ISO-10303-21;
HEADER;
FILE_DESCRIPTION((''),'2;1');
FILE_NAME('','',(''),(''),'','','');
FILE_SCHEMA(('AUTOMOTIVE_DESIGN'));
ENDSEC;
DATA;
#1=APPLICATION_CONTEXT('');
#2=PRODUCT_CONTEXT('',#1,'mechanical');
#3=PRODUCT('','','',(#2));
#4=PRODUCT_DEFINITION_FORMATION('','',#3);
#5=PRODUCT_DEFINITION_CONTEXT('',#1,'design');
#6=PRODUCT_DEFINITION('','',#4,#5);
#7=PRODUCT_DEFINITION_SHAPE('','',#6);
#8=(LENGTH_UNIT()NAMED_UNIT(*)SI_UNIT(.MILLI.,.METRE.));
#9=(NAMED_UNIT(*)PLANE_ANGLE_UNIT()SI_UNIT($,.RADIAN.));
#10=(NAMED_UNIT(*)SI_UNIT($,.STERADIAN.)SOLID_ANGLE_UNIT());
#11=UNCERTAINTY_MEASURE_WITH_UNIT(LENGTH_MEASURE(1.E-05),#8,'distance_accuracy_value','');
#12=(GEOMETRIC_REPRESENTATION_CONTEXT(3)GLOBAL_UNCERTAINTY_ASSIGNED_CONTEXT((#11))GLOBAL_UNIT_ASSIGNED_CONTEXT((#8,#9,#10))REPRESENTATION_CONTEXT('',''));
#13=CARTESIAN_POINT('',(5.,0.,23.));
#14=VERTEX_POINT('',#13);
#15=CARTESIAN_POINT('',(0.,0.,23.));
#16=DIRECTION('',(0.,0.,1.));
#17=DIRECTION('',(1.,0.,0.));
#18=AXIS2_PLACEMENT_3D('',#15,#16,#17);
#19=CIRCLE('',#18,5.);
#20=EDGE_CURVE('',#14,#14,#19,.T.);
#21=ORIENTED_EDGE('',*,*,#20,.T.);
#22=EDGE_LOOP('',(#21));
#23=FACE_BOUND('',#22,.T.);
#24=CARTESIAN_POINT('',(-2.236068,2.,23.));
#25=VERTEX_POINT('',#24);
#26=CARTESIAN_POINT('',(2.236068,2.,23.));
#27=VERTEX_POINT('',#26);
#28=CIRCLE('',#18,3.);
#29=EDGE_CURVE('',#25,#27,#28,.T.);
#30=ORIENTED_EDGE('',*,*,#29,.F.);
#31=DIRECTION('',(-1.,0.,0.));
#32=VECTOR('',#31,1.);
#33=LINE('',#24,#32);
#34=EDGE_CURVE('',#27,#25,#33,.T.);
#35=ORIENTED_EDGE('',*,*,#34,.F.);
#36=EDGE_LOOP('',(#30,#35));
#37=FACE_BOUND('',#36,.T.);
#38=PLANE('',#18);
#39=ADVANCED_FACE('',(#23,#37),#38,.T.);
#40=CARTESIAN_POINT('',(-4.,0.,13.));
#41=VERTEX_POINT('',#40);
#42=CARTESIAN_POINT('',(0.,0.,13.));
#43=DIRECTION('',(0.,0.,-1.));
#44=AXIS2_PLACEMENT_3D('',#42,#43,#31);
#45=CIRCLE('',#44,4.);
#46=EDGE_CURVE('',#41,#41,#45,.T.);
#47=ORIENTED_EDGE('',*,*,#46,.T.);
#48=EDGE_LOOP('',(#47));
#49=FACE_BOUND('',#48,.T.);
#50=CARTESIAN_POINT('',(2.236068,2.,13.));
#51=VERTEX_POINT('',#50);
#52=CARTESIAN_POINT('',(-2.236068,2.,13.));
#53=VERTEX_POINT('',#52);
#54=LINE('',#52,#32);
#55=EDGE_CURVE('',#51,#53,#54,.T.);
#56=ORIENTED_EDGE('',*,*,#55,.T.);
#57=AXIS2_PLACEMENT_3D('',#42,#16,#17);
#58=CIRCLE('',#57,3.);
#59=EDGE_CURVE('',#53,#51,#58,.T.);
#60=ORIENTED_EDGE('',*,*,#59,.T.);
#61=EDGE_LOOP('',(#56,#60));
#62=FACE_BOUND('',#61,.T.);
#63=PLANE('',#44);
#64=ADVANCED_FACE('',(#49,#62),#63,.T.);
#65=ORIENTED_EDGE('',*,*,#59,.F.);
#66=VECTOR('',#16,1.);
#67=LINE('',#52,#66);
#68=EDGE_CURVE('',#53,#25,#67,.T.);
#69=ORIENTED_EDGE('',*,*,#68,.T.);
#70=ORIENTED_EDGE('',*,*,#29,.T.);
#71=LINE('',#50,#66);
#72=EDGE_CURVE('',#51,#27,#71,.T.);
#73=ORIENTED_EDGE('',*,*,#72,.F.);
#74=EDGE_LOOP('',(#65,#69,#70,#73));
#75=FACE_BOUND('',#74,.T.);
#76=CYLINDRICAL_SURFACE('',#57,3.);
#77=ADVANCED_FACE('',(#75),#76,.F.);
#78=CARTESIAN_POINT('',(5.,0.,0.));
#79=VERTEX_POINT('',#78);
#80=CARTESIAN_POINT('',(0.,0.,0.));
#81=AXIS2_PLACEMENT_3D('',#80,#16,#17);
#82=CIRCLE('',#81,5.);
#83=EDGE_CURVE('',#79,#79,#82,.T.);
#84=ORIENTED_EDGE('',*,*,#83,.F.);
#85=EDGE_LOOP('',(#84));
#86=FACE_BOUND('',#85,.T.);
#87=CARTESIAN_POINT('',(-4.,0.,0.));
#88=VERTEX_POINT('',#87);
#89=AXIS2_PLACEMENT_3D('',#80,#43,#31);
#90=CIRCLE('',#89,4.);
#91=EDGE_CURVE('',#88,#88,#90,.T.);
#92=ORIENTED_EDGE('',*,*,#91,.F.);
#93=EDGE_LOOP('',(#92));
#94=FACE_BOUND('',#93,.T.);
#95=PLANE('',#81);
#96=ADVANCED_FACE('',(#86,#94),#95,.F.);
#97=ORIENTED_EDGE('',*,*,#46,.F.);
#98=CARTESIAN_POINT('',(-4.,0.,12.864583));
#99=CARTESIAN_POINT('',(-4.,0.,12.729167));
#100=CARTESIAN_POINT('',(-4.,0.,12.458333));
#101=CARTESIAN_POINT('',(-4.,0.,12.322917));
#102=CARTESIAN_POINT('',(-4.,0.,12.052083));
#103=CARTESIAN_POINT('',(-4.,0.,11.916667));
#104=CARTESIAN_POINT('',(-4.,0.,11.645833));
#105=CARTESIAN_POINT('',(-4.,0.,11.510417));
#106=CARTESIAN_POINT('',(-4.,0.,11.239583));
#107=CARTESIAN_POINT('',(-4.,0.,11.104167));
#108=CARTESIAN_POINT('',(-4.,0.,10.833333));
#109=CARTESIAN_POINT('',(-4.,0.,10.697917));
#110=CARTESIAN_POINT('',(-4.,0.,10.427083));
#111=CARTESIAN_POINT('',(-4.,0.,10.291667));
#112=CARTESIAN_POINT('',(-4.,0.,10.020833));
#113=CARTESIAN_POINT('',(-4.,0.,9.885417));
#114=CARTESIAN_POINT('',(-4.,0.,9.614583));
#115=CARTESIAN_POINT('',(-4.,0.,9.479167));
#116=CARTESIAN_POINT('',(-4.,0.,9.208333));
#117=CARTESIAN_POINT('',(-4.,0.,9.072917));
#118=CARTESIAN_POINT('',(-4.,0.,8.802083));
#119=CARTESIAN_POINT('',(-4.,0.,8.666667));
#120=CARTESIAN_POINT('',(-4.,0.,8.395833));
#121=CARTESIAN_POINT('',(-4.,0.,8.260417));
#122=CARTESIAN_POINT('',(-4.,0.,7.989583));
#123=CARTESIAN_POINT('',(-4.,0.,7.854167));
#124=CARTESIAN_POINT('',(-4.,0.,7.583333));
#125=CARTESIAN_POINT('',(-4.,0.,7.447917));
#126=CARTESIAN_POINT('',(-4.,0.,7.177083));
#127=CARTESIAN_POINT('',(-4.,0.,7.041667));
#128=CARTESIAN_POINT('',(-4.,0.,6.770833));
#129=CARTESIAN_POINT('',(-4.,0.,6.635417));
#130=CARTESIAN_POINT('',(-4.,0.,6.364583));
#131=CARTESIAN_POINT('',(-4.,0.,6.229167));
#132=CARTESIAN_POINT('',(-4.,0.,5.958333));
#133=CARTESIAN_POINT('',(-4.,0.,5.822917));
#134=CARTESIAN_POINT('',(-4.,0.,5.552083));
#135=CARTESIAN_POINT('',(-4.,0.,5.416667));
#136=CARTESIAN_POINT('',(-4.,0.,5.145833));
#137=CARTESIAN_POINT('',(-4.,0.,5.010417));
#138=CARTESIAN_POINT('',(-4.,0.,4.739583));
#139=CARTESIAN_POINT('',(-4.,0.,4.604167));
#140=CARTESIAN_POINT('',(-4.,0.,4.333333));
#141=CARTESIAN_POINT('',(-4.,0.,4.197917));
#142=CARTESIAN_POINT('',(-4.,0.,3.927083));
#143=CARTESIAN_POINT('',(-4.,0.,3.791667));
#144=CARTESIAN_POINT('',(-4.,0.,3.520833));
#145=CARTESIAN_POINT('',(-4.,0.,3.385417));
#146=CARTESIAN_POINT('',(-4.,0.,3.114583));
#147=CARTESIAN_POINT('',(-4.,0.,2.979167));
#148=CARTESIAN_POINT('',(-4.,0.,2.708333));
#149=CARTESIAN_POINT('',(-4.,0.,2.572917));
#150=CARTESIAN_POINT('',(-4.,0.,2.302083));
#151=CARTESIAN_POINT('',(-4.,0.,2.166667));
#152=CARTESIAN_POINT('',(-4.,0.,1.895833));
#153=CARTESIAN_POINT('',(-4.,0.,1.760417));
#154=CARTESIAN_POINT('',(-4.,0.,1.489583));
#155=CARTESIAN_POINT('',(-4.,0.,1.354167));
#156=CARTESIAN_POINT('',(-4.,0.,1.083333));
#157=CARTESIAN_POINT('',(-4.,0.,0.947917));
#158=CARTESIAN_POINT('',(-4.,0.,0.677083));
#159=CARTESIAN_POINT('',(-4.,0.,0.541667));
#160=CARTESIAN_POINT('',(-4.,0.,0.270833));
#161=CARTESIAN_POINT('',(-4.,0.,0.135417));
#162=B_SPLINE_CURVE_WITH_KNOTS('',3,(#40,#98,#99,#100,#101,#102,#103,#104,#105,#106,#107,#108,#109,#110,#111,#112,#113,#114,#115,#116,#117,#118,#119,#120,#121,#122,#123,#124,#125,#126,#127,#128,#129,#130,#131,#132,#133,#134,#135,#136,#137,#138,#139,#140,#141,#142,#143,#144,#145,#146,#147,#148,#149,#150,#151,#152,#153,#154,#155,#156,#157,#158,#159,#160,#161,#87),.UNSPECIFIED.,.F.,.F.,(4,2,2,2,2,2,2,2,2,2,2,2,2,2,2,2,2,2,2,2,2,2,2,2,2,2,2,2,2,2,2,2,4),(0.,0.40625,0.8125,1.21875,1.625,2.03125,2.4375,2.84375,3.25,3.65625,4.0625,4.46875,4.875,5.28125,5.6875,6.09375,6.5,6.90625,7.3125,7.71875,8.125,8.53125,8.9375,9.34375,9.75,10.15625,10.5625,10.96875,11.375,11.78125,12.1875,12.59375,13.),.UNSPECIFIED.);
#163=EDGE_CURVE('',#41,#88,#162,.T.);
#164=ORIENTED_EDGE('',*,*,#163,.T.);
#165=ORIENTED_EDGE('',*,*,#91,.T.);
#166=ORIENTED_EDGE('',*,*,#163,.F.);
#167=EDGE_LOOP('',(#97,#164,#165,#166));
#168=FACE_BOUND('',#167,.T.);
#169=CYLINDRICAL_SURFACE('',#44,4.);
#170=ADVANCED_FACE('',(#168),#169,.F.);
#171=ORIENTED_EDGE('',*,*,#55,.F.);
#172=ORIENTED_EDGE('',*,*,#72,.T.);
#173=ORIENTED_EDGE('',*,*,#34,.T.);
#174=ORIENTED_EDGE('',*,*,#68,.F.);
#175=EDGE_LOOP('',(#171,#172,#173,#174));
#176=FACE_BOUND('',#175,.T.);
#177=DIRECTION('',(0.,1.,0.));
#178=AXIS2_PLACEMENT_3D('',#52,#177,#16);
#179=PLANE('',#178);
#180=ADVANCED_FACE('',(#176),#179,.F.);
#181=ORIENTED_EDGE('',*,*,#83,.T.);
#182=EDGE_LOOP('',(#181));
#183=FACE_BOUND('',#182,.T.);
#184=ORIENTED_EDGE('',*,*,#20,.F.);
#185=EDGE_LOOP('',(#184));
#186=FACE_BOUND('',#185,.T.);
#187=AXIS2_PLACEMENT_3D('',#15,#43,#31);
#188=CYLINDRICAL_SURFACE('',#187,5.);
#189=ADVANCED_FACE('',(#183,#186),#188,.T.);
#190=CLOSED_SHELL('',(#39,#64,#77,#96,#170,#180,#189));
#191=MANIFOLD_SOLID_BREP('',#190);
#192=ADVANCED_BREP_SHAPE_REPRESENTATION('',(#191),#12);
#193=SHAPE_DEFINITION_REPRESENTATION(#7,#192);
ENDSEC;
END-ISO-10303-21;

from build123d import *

# Parameters (mm, degrees)
SKETCH_1_R          = 5
EXTRUDE_1_DEPTH     = 23
CUT_EXTRUDE_1_DEPTH = 10
SKETCH_3_R          = 4
CUT_EXTRUDE_2_DEPTH = 13


with BuildPart() as part:
    # 草图1 → 凸台-拉伸1 (new body)
    with BuildSketch(Plane.XY):
        Circle(SKETCH_1_R)
    extrude(amount=EXTRUDE_1_DEPTH)

    # 草图2 → 切除-拉伸1 (cut)
    with BuildSketch(Plane.XY.offset(23)):
        with BuildLine():
            Line((-2.236067977, 2), (2.236067977, 2))
            ThreePointArc((2.236067977, 2), (0, -3), (-2.236067977, 2))
        make_face()
    extrude(amount=-CUT_EXTRUDE_1_DEPTH, mode=Mode.SUBTRACT)

    # 草图3 → 切除-拉伸2 (cut)
    with BuildSketch(Plane(origin=(0, 0, 0), x_dir=(-1, 0, 0), z_dir=(0, 0, -1))):
        Circle(SKETCH_3_R)
    extrude(amount=-CUT_EXTRUDE_2_DEPTH, mode=Mode.SUBTRACT)


solid = part.part
